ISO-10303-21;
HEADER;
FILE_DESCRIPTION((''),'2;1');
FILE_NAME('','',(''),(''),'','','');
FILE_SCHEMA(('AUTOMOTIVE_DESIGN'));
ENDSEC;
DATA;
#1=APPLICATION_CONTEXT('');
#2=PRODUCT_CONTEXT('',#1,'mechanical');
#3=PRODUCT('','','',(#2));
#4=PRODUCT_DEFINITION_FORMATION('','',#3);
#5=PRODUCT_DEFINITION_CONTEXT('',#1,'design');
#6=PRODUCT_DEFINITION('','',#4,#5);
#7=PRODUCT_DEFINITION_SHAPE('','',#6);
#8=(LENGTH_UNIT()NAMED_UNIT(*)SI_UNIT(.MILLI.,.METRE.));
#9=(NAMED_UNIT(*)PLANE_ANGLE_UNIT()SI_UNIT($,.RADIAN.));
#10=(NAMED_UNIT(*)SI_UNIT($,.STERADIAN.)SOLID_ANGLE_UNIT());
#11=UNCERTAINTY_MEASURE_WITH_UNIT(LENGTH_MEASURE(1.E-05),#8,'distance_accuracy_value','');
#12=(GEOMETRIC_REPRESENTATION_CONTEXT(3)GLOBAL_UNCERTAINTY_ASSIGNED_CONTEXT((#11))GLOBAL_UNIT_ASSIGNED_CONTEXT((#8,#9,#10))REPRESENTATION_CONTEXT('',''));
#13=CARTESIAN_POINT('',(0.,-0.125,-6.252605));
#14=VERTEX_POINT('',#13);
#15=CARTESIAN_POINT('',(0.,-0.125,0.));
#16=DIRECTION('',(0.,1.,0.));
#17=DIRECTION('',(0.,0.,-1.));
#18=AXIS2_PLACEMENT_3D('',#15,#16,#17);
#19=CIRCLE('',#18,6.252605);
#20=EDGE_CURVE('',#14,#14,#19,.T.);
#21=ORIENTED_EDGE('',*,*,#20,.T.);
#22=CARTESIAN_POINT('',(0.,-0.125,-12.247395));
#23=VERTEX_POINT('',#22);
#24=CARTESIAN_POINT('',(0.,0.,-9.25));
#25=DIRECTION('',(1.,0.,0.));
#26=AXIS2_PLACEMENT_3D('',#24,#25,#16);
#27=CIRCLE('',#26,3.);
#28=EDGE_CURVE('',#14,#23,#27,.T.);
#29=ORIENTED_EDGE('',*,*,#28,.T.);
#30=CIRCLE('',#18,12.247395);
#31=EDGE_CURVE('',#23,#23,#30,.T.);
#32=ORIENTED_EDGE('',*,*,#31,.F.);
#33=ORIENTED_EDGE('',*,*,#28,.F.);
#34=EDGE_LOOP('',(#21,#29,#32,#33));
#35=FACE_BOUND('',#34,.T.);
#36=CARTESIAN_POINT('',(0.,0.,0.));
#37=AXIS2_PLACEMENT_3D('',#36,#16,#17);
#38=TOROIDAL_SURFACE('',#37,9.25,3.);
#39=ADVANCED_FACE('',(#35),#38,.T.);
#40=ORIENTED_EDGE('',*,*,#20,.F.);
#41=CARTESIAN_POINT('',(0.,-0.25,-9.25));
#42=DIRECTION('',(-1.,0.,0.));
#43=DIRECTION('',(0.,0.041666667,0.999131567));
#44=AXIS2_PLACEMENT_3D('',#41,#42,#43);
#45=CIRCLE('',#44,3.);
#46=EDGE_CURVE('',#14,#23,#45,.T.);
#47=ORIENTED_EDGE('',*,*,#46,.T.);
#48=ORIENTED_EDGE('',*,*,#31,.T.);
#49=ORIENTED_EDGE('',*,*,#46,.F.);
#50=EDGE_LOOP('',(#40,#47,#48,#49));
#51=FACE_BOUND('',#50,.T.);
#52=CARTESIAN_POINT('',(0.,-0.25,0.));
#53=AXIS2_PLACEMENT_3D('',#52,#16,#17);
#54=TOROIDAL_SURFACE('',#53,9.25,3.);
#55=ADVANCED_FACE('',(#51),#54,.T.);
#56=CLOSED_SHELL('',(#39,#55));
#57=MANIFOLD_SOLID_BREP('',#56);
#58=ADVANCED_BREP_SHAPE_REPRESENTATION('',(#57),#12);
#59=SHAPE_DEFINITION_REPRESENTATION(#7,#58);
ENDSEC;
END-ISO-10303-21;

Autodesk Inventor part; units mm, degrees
ref_plane "YZ Plane" through (0, 0, 0) normal (1, 0, 0) x (0, 1, 0)
ref_plane "XZ Plane" through (0, 0, 0) normal (0, 1, 0) x (-1, 0, 0)
ref_plane "XY Plane" through (0, 0, 0) normal (0, 0, 1) x (1, 0, 0)
sketch "Sketch1" plane through (0, 0, 0) normal (1, 0, 0) x (0, 1, 0)
  line L0 (0, -14.7) -> (0, 2.45) construction
  line L1 (-4.5, 0) -> (4.25, 0) construction
  circle A0 centre (0, -9.25) radius 3
  circle A1 centre (0, -9.25) radius 2
  line L2 (2.958, -8.75) -> (-2.958, -8.75) construction
  circle A2 centre (-0.25, -9.25) radius 3
  line L3 (0, -9.25) -> (-0.25, -9.25) construction
  point P0 (0, 0)
  point P1 (0, -6.25)
  point P2 (0, -12.25)
  point P3 (-0.25, -12.25)
  point P4 (2.75, -9.25)
  point P5 (-3, -9.25)
  point P6 (-0.125, -12.2474)
  point P7 (-0.125, -6.2526)
  dimension "d0" = 6
  dimension "d2" = 9.25
  dimension "d19" = 4
  dimension "d22" = 0.5
  dimension "d33" = 0.25
revolve "Revolution1" add sketch "Sketch1" angle 360 about axis through (0, -10, 0) along (0, 1, 0) picked at (-0.3954, -11.8728) contours A2 A0 | A1
sketch "Sketch3" plane through (0, 0, 0) normal (0, 1, 0) x (-1, 0, 0)
  line L0 (16.0374, -3.8798) -> (16.0374, 3.8798)
  circle A0 centre (0, 0) radius 16.5
  line L1 (-23.1, 0) -> (23.1, 0) construction
  line L2 (0, -23.1) -> (0, 23.1) construction
  line L3 (16.0374, 3.8798) -> (-16.5, 0)
  line L4 (16.0374, -3.8798) -> (-16.5, 0)
  line L5 (11.3787, -11.9488) -> (-8.25, 14.2894)
  line L6 (4.6586, -15.8287) -> (-8.25, 14.2894)
  line L7 (-4.6586, -15.8287) -> (8.25, 14.2894)
  line L8 (-11.3787, -11.9488) -> (8.25, 14.2894)
  line L9 (-16.0374, -3.8798) -> (16.5, 0)
  line L10 (-16.0374, 3.8798) -> (16.5, 0)
  line L11 (-11.3787, 11.9488) -> (8.25, -14.2894)
  line L12 (-4.6586, 15.8287) -> (8.25, -14.2894)
  line L13 (4.6586, 15.8287) -> (-8.25, -14.2894)
  line L14 (11.3787, 11.9488) -> (-8.25, -14.2894)
  circle A1 centre (0, 0) radius 9
  line L15 (4.9209, 15.806) -> (-7.9877, -14.3121)
  line L16 (-4.9393, 15.849) -> (7.9693, -14.2691)
  point P0 (0, 4.9593)
  point P1 (-4.2949, 2.4796)
  point P2 (-11.3787, 11.9488)
  point P3 (-4.2949, -2.4796)
  point P4 (-16.0374, -3.8798)
  point P5 (-11.3787, -11.9488)
  point P6 (0, -4.9593)
  point P7 (-4.6586, -15.8287)
  point P8 (4.6586, -15.8287)
  point P9 (4.2949, 2.4796)
  point P10 (4.2949, -2.4796)
  point P11 (11.3787, -11.9488)
  point P12 (-1.2199, -2.113)
  point P13 (-1.2199, 2.113)
  point P14 (-2.4399, 0)
  point P15 (2.4399, 0)
  point P16 (1.2199, -2.113)
  point P17 (1.2199, 2.113)
  point P18 (4.2949, 2.4796)
  point P19 (0, 4.9593)
  point P20 (1.2199, 2.113)
  point P21 (-4.2949, -2.4796)
  point P22 (0, -4.9593)
  point P23 (-1.2199, -2.113)
  point P24 (-4.2949, 2.4796)
  point P25 (-1.2199, 2.113)
  point P26 (-2.4399, 0)
  point P27 (2.4399, 0)
  point P28 (4.2949, -2.4796)
  point P29 (1.2199, -2.113)
  point P30 (-6.827, -5.8645)
  point P31 (-8.4923, -2.9801)
  point P32 (1.6653, -8.8446)
  point P33 (-1.6653, -8.8446)
  point P34 (-8.4923, 2.9801)
  point P35 (-6.827, 5.8645)
  point P36 (-1.6653, 8.8446)
  point P37 (1.6653, 8.8446)
  point P38 (6.827, 5.8645)
  point P39 (8.4923, 2.9801)
  point P40 (8.4923, -2.9801)
  point P41 (6.827, -5.8645)
  point P42 (-4.8994, 15.7558)
  point P43 (-1.9155, 8.7938)
  point P44 (1.9155, 8.7938)
  point P45 (4.8994, 15.7558)
  dimension "d14" = 33
  dimension "d15" = 360
  dimension "d16" = 13.6
  dimension "d20" = 18
  dimension "d31" = 0.25
  dimension "d32" = 0.25
extrude "Extrusion2" [suppressed]
fillet "Fillet1" [suppressed]
pattern_circular "Circular Pattern1" [suppressed]
combine "Combine1" [suppressed]
fillet "Fillet2" [suppressed]
equation "\"d32\" = d31"
properties part number "ToeSilikoneRubberStressed"
